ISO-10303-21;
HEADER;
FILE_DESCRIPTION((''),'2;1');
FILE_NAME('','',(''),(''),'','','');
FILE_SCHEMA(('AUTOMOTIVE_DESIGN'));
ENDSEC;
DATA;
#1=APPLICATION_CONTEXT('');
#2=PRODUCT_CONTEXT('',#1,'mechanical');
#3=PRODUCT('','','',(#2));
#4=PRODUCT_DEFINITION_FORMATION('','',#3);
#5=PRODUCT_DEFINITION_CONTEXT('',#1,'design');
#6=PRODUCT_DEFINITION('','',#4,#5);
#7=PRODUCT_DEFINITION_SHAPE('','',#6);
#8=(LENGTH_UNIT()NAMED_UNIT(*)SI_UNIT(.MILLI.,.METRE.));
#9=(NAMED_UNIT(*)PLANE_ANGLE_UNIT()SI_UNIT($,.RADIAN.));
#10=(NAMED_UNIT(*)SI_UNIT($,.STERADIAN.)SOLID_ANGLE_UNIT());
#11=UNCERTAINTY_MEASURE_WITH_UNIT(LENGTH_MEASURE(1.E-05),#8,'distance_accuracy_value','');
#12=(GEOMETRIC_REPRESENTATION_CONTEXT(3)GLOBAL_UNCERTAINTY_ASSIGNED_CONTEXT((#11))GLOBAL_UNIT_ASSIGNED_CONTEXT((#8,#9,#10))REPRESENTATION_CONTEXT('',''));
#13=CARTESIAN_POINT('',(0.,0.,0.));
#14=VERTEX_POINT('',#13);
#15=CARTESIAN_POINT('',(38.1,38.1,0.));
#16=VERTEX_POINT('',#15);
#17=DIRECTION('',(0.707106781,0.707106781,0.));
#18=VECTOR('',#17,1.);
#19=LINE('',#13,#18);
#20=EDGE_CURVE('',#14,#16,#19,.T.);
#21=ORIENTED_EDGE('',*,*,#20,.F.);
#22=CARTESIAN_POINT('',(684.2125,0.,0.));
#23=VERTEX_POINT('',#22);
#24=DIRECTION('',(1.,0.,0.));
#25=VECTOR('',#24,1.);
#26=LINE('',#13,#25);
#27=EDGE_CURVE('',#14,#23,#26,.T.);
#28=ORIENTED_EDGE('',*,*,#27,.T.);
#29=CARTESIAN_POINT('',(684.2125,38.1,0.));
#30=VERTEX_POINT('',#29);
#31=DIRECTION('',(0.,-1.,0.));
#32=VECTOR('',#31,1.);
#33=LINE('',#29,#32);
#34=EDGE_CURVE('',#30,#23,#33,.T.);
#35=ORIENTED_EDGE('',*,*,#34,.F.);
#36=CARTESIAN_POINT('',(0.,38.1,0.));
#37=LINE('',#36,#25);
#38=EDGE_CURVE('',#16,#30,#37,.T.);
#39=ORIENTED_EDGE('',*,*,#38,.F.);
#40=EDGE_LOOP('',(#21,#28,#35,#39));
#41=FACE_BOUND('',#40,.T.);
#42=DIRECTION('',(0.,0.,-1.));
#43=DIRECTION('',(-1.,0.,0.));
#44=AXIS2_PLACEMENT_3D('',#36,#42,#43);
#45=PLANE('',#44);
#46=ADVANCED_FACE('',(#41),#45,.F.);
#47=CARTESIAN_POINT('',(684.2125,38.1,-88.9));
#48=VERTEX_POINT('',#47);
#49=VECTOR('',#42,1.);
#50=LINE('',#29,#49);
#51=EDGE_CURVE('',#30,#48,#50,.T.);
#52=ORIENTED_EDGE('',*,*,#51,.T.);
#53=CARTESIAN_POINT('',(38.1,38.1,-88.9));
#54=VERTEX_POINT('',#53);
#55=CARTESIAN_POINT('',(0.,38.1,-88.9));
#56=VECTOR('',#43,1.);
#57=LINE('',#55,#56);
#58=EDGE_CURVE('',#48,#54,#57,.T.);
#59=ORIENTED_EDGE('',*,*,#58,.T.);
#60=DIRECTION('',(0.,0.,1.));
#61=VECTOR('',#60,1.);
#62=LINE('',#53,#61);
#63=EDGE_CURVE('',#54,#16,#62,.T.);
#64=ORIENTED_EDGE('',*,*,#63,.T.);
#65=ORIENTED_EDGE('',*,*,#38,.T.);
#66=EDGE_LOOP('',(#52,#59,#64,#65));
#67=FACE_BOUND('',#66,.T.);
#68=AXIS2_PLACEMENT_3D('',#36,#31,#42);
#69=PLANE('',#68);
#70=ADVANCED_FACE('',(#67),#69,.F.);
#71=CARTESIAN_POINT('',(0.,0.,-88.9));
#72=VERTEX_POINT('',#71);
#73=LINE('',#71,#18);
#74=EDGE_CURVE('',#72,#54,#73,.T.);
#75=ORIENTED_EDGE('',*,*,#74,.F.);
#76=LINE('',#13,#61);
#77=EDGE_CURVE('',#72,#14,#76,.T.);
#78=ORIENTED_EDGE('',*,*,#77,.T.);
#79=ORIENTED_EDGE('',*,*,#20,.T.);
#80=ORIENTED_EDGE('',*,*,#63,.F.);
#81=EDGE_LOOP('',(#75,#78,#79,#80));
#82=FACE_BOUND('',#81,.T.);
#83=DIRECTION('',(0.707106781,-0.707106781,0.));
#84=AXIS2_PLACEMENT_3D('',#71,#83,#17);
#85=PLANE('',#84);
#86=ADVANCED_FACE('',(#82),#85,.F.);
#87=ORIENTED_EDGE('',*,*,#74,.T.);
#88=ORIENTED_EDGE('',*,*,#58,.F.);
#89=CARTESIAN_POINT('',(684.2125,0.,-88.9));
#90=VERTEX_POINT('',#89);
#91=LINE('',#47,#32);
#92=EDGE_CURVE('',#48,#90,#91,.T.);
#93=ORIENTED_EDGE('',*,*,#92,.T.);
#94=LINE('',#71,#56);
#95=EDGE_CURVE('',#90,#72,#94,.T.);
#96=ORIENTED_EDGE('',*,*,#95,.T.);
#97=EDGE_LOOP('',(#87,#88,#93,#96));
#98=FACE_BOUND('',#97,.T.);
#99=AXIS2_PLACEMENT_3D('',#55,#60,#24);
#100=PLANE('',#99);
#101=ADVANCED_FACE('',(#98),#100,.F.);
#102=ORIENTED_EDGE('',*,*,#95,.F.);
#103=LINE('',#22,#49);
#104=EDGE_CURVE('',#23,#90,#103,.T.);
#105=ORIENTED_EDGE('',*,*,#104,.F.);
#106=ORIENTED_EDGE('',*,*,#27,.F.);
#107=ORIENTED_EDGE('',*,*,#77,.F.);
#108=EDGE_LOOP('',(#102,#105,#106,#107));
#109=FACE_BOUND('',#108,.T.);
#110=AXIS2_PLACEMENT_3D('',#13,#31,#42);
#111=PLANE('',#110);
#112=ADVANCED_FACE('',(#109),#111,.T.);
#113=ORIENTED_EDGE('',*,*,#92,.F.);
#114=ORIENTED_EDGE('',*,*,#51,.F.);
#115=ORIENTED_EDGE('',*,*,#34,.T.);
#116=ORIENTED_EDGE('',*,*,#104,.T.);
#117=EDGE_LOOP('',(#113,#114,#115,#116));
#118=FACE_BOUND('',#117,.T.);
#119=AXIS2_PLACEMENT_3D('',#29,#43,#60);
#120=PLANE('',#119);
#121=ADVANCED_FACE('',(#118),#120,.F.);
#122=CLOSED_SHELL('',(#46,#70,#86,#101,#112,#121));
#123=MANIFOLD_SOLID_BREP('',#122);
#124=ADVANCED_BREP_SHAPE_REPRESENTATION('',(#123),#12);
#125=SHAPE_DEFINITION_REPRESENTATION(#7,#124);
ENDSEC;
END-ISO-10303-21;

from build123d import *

# Parameters (mm, degrees)
SKETCH1_W           = 684.2125
SKETCH1_H           = 88.9
BOSS_EXTRUDE1_DEPTH = 38.1
CUT_EXTRUDE1_DEPTH  = 89.9


with BuildPart() as part:
    # Sketch1 → Boss-Extrude1 (new body)
    with BuildSketch(Plane(origin=(0, 0, 0), x_dir=(1, 0, 0), z_dir=(0, 1, 0))):
        with Locations((342.10625, 44.45)):
            Rectangle(SKETCH1_W, SKETCH1_H)
    extrude(amount=BOSS_EXTRUDE1_DEPTH)

    # Sketch2 → Cut-Extrude1 (cut, through all)
    with BuildSketch(Plane.XY):
        Polygon((0, 0), (38.1, 38.1), (0, 38.1), align=None)
    extrude(amount=-CUT_EXTRUDE1_DEPTH, mode=Mode.SUBTRACT)


solid = part.part
